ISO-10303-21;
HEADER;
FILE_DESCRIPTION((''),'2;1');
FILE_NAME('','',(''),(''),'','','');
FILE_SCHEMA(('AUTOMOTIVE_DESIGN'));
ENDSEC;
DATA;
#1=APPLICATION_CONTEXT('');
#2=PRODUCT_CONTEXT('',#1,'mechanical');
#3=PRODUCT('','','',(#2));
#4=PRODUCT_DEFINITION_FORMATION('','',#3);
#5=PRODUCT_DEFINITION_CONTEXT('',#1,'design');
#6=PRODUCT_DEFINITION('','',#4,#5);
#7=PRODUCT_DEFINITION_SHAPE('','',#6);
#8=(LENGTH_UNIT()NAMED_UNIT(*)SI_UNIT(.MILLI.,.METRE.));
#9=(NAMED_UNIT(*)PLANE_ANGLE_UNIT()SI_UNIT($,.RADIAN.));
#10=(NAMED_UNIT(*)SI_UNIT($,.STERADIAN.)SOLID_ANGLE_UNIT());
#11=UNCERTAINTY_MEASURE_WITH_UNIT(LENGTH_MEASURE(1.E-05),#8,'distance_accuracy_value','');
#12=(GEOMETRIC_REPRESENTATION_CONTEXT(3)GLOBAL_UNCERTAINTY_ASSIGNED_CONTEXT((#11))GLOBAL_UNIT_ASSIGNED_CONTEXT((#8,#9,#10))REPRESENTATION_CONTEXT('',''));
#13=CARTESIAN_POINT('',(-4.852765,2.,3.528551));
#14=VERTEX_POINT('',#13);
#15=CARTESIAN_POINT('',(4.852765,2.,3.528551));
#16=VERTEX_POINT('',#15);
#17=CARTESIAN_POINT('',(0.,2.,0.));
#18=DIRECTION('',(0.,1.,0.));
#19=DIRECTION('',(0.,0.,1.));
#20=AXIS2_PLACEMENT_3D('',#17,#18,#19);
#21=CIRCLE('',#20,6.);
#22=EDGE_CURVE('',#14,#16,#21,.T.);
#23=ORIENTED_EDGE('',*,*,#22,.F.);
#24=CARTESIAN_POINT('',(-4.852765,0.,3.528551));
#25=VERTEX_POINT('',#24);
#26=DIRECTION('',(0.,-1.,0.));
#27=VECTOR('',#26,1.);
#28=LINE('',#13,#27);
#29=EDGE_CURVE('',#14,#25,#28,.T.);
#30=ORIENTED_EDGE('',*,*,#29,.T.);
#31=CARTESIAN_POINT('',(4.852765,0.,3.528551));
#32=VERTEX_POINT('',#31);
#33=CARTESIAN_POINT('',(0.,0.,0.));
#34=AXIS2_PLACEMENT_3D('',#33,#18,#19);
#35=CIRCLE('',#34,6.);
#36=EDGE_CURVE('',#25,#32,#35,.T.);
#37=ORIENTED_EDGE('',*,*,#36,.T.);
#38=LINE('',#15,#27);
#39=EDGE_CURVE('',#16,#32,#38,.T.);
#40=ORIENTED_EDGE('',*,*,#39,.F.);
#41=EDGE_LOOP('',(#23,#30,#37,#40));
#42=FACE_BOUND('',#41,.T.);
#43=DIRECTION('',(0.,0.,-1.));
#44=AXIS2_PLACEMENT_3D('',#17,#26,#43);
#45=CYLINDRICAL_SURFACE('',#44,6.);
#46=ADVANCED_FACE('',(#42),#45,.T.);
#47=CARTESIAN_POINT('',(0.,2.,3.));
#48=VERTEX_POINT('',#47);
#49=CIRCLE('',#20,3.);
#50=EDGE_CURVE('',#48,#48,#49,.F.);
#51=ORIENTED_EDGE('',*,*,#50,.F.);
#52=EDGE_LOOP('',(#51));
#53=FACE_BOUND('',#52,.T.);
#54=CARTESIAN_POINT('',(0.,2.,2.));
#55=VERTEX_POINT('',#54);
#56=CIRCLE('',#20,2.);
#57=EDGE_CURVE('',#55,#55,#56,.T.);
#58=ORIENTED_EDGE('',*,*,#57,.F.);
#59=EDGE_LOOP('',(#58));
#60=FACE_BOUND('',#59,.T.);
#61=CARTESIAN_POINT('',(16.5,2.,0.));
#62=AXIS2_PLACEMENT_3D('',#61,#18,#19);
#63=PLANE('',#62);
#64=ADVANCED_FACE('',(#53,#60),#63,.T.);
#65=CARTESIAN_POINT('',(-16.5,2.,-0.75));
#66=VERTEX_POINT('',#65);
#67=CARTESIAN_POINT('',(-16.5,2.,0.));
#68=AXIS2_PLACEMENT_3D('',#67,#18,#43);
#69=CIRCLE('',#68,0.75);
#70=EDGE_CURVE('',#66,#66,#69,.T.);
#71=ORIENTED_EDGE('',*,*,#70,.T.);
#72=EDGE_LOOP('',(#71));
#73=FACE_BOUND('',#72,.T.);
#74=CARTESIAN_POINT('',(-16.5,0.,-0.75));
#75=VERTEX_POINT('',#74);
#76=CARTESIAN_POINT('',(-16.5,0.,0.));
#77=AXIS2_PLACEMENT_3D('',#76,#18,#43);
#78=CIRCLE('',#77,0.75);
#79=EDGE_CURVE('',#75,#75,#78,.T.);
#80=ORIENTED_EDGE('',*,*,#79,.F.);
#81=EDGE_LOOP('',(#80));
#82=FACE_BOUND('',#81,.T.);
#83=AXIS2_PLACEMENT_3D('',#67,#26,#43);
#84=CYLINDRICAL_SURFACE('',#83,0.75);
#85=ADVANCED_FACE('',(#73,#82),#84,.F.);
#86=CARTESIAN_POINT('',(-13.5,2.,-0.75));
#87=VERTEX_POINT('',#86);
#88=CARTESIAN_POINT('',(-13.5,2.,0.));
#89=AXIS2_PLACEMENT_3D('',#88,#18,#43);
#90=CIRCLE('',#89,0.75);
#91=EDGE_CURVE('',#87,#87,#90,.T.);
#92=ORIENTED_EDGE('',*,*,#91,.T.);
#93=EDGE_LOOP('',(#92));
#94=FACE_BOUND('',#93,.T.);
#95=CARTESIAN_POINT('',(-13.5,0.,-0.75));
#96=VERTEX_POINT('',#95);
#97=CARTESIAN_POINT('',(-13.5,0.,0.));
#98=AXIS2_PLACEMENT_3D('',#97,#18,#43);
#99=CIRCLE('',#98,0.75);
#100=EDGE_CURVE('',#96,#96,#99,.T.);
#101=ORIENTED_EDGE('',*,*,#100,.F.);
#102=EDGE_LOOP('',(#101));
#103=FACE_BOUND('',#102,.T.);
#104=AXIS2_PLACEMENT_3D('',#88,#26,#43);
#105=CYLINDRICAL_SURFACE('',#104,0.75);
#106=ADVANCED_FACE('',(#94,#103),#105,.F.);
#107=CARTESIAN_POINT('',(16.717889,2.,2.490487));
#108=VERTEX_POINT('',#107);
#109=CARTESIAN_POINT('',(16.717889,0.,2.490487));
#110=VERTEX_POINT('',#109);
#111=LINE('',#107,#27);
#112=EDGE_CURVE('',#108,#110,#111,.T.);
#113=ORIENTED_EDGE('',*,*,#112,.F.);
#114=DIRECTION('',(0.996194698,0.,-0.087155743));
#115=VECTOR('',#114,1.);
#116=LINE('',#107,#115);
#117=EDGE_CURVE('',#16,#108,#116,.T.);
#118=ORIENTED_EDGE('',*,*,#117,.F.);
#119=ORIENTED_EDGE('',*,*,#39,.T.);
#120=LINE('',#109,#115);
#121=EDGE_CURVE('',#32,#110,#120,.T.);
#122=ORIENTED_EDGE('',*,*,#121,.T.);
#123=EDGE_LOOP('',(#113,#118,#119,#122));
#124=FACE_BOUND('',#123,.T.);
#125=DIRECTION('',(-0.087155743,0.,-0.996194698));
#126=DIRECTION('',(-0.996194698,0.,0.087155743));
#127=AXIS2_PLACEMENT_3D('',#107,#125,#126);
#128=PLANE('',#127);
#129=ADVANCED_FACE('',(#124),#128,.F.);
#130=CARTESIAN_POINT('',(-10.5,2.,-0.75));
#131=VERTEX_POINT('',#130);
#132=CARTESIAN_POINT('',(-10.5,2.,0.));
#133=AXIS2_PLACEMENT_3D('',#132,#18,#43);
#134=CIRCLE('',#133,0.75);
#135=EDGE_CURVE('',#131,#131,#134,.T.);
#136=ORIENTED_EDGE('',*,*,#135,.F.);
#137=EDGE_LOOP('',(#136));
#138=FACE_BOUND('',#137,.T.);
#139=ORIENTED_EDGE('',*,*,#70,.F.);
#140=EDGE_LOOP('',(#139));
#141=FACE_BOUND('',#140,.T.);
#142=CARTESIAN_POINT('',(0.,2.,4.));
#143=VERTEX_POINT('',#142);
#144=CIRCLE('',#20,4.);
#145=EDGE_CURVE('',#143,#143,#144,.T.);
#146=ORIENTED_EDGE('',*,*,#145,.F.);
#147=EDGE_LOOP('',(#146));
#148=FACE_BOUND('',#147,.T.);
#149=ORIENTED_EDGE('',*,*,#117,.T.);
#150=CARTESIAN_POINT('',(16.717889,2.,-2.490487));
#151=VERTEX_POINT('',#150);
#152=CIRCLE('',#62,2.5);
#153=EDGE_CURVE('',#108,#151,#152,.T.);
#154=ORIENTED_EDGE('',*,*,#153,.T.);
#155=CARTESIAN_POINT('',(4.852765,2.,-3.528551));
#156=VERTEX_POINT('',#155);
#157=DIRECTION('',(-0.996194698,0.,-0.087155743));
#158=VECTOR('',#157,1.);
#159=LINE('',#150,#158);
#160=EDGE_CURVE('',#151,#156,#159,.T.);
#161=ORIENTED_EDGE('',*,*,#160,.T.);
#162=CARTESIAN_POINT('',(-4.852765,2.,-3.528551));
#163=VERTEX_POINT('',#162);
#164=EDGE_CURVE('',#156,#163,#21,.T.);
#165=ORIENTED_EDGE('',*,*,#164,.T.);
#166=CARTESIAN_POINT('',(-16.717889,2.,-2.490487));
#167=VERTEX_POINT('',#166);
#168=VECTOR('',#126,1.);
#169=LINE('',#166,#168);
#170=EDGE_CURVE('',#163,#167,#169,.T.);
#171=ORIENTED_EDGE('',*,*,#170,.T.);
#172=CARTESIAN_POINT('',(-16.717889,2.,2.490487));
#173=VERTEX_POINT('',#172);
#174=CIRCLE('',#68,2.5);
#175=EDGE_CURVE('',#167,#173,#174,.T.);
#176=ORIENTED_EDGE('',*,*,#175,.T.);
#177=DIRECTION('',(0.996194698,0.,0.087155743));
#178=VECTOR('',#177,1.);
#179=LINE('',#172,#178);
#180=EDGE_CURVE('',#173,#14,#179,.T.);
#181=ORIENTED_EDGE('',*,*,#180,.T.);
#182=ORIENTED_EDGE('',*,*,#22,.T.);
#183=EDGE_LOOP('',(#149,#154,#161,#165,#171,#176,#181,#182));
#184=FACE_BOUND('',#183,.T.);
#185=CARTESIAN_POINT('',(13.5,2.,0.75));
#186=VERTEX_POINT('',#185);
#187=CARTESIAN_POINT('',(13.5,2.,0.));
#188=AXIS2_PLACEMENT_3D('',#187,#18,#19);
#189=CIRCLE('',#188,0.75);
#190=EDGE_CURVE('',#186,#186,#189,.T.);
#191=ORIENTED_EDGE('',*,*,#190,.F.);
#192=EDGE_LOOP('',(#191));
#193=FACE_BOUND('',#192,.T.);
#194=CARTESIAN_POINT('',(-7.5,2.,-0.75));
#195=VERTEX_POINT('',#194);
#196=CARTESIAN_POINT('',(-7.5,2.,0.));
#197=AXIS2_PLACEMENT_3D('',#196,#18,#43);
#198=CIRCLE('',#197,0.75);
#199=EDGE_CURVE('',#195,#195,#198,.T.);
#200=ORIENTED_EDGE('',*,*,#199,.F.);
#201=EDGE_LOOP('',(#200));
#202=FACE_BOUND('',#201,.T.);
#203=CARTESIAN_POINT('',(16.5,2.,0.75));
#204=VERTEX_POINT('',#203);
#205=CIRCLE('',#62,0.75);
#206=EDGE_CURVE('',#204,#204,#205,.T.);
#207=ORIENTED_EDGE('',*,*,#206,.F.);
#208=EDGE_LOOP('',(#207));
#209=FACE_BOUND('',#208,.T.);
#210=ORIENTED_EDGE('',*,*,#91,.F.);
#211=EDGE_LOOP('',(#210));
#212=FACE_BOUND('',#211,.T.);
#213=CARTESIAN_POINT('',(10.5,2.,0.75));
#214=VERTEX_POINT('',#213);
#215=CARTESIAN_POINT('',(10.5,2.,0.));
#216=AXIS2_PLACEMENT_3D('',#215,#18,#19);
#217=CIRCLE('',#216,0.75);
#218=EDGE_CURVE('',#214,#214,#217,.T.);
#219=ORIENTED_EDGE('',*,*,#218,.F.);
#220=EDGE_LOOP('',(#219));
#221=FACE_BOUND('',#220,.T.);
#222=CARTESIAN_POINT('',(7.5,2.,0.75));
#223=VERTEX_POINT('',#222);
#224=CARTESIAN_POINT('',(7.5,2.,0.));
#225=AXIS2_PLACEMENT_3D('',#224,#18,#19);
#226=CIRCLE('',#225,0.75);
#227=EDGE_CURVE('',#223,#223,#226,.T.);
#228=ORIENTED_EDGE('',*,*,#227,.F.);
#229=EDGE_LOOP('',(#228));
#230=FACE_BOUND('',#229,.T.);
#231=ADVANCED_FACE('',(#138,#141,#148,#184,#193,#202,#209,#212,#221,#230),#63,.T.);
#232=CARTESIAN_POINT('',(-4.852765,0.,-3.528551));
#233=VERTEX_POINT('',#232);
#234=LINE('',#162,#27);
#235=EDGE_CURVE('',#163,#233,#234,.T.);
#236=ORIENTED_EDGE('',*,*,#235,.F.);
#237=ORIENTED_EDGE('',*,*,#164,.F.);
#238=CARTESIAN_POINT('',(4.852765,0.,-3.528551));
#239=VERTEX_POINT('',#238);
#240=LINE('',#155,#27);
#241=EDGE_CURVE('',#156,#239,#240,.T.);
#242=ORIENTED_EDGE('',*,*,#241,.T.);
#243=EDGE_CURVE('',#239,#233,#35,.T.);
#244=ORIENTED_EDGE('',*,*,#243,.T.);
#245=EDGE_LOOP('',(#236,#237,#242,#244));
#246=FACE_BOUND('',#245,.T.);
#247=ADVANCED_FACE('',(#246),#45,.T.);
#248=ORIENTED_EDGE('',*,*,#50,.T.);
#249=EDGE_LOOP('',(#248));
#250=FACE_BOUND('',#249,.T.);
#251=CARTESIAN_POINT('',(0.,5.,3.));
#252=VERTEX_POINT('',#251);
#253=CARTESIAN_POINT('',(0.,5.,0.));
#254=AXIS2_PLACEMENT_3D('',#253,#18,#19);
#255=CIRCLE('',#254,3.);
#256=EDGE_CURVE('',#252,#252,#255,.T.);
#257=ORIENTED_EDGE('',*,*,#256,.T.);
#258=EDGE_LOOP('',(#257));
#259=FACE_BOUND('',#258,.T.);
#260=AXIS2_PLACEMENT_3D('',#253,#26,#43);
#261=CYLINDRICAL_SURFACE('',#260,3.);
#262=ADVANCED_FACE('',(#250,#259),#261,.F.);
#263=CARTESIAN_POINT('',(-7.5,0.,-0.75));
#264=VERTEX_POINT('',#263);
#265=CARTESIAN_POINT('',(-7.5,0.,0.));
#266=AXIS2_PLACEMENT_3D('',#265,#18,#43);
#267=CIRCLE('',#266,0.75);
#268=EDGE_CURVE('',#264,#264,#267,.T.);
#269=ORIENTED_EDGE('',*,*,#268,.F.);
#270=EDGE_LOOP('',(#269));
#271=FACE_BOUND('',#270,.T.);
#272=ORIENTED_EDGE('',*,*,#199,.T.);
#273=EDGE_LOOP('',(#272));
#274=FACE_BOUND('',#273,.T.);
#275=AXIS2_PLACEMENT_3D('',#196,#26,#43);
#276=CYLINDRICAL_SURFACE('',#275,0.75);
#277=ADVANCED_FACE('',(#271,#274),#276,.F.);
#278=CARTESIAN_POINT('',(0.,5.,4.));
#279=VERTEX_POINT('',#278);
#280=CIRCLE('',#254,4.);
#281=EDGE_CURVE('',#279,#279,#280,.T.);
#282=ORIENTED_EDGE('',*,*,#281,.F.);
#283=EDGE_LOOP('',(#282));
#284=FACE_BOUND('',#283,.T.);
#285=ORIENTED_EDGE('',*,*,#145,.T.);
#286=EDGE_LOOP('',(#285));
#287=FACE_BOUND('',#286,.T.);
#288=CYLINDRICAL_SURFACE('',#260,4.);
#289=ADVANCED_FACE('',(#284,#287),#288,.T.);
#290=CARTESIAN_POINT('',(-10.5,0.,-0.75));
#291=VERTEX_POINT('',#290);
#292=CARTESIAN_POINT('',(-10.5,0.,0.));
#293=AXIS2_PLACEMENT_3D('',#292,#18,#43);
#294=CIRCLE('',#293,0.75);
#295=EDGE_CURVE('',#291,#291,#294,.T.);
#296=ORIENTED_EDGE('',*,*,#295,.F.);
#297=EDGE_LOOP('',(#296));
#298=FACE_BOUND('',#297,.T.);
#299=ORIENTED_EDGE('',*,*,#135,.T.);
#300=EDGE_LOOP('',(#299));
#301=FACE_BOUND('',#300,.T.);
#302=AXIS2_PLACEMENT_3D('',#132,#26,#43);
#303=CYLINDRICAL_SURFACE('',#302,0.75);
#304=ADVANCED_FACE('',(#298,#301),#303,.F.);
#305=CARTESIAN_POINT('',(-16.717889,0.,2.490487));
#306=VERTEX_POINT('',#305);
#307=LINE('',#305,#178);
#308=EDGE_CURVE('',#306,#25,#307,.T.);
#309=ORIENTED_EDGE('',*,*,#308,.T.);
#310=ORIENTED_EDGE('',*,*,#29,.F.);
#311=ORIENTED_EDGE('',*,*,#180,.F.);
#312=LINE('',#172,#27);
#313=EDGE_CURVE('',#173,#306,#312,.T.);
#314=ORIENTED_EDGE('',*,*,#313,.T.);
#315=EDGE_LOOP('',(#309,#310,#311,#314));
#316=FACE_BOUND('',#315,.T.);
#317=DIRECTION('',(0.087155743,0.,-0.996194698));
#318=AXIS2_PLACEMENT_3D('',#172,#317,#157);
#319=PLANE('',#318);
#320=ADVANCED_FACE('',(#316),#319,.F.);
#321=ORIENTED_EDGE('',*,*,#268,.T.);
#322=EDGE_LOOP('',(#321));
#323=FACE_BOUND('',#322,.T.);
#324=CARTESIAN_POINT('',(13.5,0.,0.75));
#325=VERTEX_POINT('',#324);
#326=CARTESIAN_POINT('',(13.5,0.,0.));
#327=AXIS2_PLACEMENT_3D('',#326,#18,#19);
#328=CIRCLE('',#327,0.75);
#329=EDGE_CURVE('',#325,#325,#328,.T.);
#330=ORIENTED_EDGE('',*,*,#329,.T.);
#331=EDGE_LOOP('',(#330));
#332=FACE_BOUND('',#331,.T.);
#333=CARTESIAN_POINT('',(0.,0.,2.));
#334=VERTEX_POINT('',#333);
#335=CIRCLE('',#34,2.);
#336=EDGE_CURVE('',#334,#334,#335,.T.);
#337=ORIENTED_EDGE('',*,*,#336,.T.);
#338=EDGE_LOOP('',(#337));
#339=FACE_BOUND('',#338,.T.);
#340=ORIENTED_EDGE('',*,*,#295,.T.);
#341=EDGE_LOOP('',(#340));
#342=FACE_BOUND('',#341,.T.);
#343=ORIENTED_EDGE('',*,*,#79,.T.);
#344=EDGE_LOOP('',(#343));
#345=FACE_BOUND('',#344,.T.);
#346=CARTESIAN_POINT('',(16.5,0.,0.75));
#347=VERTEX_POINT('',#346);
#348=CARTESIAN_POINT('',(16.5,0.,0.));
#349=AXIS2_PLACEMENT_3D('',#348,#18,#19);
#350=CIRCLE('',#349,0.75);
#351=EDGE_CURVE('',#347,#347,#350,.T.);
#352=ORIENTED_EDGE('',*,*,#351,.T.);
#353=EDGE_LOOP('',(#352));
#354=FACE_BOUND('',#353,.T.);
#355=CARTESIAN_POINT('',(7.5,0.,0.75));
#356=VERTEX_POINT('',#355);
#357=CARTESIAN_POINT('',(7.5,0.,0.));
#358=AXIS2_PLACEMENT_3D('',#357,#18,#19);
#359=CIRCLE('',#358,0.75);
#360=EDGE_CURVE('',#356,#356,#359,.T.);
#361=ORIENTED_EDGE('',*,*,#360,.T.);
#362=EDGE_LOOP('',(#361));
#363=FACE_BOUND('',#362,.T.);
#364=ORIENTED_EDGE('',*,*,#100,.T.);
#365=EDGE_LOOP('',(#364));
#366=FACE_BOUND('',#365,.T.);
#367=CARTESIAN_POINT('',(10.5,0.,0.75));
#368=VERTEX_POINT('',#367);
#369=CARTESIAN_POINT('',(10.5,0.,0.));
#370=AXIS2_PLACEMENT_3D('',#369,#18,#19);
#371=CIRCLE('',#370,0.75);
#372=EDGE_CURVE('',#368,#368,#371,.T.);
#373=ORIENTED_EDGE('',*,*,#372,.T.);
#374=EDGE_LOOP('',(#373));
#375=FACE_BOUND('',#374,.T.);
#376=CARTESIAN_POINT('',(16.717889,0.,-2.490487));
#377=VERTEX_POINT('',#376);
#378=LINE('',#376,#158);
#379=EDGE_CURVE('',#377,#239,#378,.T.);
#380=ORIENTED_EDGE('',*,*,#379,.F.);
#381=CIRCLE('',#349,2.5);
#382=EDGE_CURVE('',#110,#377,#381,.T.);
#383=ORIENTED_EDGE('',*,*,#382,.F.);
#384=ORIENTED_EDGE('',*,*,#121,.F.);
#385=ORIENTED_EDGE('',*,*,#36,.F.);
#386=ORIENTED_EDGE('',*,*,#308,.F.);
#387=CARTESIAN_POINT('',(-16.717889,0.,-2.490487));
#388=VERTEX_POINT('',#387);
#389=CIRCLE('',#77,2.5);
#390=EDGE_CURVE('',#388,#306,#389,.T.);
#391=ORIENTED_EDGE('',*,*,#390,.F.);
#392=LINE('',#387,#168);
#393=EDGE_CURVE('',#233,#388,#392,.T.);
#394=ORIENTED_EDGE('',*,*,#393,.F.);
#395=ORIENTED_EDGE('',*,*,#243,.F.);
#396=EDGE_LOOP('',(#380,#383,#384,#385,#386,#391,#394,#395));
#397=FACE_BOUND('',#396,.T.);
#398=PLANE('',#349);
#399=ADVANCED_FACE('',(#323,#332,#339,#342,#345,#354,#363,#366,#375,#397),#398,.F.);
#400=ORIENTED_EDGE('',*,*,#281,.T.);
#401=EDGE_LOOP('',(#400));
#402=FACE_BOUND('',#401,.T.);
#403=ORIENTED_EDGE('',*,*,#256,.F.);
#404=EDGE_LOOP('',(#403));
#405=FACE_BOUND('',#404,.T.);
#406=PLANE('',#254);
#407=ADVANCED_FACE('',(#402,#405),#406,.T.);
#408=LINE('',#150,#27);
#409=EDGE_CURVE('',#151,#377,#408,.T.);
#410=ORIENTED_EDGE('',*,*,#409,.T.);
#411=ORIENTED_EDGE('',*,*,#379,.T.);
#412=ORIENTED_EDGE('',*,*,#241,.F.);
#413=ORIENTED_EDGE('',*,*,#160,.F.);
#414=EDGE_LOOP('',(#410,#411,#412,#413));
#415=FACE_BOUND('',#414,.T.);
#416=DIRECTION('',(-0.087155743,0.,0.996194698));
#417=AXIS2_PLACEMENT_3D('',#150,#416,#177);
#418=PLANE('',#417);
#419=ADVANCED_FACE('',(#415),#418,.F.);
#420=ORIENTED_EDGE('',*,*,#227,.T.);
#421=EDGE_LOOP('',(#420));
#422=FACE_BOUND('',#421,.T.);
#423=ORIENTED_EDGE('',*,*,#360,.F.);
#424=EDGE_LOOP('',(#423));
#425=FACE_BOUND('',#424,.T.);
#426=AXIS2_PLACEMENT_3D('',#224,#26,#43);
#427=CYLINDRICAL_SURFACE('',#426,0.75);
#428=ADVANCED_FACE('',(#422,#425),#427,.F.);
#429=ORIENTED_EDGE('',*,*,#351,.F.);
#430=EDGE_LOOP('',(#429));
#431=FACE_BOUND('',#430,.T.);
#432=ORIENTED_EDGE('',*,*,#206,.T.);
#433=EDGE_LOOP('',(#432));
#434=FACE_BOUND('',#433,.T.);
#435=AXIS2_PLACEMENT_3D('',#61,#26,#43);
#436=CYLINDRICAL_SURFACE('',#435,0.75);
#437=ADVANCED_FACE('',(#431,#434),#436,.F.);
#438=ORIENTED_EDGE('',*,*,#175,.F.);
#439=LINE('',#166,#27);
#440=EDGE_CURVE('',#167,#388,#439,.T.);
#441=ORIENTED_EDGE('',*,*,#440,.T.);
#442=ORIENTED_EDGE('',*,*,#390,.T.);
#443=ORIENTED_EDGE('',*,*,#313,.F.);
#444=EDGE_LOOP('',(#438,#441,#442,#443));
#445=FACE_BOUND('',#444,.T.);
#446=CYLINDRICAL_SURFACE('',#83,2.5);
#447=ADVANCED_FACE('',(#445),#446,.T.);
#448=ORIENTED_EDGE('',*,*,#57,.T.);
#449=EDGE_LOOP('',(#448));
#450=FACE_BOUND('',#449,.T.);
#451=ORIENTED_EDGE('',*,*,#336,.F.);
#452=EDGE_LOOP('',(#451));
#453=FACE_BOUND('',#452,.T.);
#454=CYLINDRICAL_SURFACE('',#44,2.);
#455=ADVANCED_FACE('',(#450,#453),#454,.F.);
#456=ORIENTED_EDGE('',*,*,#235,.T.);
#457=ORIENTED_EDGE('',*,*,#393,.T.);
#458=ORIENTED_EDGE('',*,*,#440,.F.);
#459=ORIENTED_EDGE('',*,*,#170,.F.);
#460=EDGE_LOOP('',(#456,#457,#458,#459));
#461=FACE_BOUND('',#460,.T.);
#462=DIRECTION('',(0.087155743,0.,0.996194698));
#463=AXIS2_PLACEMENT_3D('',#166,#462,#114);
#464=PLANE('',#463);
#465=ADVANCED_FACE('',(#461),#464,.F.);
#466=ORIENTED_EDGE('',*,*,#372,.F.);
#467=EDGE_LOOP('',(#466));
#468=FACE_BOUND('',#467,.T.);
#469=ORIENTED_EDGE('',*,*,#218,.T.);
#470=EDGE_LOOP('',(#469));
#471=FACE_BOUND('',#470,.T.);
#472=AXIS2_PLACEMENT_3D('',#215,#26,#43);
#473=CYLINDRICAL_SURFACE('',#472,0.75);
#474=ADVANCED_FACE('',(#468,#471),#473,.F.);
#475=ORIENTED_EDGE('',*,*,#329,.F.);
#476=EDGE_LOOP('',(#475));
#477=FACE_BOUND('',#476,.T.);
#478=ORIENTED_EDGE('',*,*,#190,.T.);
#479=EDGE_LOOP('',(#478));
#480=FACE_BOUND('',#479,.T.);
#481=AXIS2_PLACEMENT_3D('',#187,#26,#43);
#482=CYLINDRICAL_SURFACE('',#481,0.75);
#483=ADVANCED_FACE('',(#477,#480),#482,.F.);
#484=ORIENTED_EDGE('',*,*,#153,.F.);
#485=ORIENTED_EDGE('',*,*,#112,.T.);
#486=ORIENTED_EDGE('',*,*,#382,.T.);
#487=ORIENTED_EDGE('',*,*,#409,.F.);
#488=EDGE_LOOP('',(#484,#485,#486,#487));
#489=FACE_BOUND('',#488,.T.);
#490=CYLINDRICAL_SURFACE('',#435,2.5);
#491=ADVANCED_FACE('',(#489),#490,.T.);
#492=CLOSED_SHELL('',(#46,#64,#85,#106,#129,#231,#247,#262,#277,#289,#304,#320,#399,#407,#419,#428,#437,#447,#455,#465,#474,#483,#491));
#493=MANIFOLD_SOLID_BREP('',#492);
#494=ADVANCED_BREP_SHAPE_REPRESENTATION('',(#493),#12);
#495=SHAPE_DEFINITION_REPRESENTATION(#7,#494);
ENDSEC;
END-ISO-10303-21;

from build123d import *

# Parameters (mm, degrees)
SKETCH1_R           = 2
SKETCH1_R_2         = 0.75
BOSS_EXTRUDE1_DEPTH = 2
SKETCH2_R           = 4
SKETCH2_R_2         = 3
BOSS_EXTRUDE2_DEPTH = 3


with BuildPart() as part:
    # Sketch1 → Boss-Extrude1 (new body)
    with BuildSketch(Plane(origin=(0, 0, 0), x_dir=(1, 0, 0), z_dir=(0, 1, 0))):
        with BuildLine():
            Line((16.717889357, -2.490486745), (4.852765263, -3.528550595))
            ThreePointArc((4.852765263, -3.528550595), (0, -6), (-4.852765263, -3.528550595))
            Line((-4.852765263, -3.528550595), (-16.717889357, -2.490486745))
            ThreePointArc((-16.717889357, -2.490486745), (-19, 0), (-16.717889357, 2.490486745))
            Line((-16.717889357, 2.490486745), (-4.852765263, 3.528550595))
            ThreePointArc((-4.852765263, 3.528550595), (0, 6), (4.852765263, 3.528550595))
            Line((4.852765263, 3.528550595), (16.717889357, 2.490486745))
            ThreePointArc((16.717889357, 2.490486745), (19, 0), (16.717889357, -2.490486745))
        make_face()
        Circle(SKETCH1_R, mode=Mode.SUBTRACT)
        with Locations((7.5, 0)):
            Circle(SKETCH1_R_2, mode=Mode.SUBTRACT)
        with Locations((10.5, 0)):
            Circle(SKETCH1_R_2, mode=Mode.SUBTRACT)
        with Locations((13.5, 0)):
            Circle(SKETCH1_R_2, mode=Mode.SUBTRACT)
        with Locations((16.5, 0)):
            Circle(SKETCH1_R_2, mode=Mode.SUBTRACT)
        with Locations((-16.5, 0)):
            Circle(SKETCH1_R_2, mode=Mode.SUBTRACT)
        with Locations((-13.5, 0)):
            Circle(SKETCH1_R_2, mode=Mode.SUBTRACT)
        with Locations((-10.5, 0)):
            Circle(SKETCH1_R_2, mode=Mode.SUBTRACT)
        with Locations((-7.5, 0)):
            Circle(SKETCH1_R_2, mode=Mode.SUBTRACT)
    extrude(amount=BOSS_EXTRUDE1_DEPTH)

    # Sketch2 → Boss-Extrude2 (add)
    with BuildSketch(Plane(origin=(0, 2, 0), x_dir=(1, 0, 0), z_dir=(0, 1, 0))):
        Circle(SKETCH2_R)
        Circle(SKETCH2_R_2, mode=Mode.SUBTRACT)
    extrude(amount=BOSS_EXTRUDE2_DEPTH)


solid = part.part
